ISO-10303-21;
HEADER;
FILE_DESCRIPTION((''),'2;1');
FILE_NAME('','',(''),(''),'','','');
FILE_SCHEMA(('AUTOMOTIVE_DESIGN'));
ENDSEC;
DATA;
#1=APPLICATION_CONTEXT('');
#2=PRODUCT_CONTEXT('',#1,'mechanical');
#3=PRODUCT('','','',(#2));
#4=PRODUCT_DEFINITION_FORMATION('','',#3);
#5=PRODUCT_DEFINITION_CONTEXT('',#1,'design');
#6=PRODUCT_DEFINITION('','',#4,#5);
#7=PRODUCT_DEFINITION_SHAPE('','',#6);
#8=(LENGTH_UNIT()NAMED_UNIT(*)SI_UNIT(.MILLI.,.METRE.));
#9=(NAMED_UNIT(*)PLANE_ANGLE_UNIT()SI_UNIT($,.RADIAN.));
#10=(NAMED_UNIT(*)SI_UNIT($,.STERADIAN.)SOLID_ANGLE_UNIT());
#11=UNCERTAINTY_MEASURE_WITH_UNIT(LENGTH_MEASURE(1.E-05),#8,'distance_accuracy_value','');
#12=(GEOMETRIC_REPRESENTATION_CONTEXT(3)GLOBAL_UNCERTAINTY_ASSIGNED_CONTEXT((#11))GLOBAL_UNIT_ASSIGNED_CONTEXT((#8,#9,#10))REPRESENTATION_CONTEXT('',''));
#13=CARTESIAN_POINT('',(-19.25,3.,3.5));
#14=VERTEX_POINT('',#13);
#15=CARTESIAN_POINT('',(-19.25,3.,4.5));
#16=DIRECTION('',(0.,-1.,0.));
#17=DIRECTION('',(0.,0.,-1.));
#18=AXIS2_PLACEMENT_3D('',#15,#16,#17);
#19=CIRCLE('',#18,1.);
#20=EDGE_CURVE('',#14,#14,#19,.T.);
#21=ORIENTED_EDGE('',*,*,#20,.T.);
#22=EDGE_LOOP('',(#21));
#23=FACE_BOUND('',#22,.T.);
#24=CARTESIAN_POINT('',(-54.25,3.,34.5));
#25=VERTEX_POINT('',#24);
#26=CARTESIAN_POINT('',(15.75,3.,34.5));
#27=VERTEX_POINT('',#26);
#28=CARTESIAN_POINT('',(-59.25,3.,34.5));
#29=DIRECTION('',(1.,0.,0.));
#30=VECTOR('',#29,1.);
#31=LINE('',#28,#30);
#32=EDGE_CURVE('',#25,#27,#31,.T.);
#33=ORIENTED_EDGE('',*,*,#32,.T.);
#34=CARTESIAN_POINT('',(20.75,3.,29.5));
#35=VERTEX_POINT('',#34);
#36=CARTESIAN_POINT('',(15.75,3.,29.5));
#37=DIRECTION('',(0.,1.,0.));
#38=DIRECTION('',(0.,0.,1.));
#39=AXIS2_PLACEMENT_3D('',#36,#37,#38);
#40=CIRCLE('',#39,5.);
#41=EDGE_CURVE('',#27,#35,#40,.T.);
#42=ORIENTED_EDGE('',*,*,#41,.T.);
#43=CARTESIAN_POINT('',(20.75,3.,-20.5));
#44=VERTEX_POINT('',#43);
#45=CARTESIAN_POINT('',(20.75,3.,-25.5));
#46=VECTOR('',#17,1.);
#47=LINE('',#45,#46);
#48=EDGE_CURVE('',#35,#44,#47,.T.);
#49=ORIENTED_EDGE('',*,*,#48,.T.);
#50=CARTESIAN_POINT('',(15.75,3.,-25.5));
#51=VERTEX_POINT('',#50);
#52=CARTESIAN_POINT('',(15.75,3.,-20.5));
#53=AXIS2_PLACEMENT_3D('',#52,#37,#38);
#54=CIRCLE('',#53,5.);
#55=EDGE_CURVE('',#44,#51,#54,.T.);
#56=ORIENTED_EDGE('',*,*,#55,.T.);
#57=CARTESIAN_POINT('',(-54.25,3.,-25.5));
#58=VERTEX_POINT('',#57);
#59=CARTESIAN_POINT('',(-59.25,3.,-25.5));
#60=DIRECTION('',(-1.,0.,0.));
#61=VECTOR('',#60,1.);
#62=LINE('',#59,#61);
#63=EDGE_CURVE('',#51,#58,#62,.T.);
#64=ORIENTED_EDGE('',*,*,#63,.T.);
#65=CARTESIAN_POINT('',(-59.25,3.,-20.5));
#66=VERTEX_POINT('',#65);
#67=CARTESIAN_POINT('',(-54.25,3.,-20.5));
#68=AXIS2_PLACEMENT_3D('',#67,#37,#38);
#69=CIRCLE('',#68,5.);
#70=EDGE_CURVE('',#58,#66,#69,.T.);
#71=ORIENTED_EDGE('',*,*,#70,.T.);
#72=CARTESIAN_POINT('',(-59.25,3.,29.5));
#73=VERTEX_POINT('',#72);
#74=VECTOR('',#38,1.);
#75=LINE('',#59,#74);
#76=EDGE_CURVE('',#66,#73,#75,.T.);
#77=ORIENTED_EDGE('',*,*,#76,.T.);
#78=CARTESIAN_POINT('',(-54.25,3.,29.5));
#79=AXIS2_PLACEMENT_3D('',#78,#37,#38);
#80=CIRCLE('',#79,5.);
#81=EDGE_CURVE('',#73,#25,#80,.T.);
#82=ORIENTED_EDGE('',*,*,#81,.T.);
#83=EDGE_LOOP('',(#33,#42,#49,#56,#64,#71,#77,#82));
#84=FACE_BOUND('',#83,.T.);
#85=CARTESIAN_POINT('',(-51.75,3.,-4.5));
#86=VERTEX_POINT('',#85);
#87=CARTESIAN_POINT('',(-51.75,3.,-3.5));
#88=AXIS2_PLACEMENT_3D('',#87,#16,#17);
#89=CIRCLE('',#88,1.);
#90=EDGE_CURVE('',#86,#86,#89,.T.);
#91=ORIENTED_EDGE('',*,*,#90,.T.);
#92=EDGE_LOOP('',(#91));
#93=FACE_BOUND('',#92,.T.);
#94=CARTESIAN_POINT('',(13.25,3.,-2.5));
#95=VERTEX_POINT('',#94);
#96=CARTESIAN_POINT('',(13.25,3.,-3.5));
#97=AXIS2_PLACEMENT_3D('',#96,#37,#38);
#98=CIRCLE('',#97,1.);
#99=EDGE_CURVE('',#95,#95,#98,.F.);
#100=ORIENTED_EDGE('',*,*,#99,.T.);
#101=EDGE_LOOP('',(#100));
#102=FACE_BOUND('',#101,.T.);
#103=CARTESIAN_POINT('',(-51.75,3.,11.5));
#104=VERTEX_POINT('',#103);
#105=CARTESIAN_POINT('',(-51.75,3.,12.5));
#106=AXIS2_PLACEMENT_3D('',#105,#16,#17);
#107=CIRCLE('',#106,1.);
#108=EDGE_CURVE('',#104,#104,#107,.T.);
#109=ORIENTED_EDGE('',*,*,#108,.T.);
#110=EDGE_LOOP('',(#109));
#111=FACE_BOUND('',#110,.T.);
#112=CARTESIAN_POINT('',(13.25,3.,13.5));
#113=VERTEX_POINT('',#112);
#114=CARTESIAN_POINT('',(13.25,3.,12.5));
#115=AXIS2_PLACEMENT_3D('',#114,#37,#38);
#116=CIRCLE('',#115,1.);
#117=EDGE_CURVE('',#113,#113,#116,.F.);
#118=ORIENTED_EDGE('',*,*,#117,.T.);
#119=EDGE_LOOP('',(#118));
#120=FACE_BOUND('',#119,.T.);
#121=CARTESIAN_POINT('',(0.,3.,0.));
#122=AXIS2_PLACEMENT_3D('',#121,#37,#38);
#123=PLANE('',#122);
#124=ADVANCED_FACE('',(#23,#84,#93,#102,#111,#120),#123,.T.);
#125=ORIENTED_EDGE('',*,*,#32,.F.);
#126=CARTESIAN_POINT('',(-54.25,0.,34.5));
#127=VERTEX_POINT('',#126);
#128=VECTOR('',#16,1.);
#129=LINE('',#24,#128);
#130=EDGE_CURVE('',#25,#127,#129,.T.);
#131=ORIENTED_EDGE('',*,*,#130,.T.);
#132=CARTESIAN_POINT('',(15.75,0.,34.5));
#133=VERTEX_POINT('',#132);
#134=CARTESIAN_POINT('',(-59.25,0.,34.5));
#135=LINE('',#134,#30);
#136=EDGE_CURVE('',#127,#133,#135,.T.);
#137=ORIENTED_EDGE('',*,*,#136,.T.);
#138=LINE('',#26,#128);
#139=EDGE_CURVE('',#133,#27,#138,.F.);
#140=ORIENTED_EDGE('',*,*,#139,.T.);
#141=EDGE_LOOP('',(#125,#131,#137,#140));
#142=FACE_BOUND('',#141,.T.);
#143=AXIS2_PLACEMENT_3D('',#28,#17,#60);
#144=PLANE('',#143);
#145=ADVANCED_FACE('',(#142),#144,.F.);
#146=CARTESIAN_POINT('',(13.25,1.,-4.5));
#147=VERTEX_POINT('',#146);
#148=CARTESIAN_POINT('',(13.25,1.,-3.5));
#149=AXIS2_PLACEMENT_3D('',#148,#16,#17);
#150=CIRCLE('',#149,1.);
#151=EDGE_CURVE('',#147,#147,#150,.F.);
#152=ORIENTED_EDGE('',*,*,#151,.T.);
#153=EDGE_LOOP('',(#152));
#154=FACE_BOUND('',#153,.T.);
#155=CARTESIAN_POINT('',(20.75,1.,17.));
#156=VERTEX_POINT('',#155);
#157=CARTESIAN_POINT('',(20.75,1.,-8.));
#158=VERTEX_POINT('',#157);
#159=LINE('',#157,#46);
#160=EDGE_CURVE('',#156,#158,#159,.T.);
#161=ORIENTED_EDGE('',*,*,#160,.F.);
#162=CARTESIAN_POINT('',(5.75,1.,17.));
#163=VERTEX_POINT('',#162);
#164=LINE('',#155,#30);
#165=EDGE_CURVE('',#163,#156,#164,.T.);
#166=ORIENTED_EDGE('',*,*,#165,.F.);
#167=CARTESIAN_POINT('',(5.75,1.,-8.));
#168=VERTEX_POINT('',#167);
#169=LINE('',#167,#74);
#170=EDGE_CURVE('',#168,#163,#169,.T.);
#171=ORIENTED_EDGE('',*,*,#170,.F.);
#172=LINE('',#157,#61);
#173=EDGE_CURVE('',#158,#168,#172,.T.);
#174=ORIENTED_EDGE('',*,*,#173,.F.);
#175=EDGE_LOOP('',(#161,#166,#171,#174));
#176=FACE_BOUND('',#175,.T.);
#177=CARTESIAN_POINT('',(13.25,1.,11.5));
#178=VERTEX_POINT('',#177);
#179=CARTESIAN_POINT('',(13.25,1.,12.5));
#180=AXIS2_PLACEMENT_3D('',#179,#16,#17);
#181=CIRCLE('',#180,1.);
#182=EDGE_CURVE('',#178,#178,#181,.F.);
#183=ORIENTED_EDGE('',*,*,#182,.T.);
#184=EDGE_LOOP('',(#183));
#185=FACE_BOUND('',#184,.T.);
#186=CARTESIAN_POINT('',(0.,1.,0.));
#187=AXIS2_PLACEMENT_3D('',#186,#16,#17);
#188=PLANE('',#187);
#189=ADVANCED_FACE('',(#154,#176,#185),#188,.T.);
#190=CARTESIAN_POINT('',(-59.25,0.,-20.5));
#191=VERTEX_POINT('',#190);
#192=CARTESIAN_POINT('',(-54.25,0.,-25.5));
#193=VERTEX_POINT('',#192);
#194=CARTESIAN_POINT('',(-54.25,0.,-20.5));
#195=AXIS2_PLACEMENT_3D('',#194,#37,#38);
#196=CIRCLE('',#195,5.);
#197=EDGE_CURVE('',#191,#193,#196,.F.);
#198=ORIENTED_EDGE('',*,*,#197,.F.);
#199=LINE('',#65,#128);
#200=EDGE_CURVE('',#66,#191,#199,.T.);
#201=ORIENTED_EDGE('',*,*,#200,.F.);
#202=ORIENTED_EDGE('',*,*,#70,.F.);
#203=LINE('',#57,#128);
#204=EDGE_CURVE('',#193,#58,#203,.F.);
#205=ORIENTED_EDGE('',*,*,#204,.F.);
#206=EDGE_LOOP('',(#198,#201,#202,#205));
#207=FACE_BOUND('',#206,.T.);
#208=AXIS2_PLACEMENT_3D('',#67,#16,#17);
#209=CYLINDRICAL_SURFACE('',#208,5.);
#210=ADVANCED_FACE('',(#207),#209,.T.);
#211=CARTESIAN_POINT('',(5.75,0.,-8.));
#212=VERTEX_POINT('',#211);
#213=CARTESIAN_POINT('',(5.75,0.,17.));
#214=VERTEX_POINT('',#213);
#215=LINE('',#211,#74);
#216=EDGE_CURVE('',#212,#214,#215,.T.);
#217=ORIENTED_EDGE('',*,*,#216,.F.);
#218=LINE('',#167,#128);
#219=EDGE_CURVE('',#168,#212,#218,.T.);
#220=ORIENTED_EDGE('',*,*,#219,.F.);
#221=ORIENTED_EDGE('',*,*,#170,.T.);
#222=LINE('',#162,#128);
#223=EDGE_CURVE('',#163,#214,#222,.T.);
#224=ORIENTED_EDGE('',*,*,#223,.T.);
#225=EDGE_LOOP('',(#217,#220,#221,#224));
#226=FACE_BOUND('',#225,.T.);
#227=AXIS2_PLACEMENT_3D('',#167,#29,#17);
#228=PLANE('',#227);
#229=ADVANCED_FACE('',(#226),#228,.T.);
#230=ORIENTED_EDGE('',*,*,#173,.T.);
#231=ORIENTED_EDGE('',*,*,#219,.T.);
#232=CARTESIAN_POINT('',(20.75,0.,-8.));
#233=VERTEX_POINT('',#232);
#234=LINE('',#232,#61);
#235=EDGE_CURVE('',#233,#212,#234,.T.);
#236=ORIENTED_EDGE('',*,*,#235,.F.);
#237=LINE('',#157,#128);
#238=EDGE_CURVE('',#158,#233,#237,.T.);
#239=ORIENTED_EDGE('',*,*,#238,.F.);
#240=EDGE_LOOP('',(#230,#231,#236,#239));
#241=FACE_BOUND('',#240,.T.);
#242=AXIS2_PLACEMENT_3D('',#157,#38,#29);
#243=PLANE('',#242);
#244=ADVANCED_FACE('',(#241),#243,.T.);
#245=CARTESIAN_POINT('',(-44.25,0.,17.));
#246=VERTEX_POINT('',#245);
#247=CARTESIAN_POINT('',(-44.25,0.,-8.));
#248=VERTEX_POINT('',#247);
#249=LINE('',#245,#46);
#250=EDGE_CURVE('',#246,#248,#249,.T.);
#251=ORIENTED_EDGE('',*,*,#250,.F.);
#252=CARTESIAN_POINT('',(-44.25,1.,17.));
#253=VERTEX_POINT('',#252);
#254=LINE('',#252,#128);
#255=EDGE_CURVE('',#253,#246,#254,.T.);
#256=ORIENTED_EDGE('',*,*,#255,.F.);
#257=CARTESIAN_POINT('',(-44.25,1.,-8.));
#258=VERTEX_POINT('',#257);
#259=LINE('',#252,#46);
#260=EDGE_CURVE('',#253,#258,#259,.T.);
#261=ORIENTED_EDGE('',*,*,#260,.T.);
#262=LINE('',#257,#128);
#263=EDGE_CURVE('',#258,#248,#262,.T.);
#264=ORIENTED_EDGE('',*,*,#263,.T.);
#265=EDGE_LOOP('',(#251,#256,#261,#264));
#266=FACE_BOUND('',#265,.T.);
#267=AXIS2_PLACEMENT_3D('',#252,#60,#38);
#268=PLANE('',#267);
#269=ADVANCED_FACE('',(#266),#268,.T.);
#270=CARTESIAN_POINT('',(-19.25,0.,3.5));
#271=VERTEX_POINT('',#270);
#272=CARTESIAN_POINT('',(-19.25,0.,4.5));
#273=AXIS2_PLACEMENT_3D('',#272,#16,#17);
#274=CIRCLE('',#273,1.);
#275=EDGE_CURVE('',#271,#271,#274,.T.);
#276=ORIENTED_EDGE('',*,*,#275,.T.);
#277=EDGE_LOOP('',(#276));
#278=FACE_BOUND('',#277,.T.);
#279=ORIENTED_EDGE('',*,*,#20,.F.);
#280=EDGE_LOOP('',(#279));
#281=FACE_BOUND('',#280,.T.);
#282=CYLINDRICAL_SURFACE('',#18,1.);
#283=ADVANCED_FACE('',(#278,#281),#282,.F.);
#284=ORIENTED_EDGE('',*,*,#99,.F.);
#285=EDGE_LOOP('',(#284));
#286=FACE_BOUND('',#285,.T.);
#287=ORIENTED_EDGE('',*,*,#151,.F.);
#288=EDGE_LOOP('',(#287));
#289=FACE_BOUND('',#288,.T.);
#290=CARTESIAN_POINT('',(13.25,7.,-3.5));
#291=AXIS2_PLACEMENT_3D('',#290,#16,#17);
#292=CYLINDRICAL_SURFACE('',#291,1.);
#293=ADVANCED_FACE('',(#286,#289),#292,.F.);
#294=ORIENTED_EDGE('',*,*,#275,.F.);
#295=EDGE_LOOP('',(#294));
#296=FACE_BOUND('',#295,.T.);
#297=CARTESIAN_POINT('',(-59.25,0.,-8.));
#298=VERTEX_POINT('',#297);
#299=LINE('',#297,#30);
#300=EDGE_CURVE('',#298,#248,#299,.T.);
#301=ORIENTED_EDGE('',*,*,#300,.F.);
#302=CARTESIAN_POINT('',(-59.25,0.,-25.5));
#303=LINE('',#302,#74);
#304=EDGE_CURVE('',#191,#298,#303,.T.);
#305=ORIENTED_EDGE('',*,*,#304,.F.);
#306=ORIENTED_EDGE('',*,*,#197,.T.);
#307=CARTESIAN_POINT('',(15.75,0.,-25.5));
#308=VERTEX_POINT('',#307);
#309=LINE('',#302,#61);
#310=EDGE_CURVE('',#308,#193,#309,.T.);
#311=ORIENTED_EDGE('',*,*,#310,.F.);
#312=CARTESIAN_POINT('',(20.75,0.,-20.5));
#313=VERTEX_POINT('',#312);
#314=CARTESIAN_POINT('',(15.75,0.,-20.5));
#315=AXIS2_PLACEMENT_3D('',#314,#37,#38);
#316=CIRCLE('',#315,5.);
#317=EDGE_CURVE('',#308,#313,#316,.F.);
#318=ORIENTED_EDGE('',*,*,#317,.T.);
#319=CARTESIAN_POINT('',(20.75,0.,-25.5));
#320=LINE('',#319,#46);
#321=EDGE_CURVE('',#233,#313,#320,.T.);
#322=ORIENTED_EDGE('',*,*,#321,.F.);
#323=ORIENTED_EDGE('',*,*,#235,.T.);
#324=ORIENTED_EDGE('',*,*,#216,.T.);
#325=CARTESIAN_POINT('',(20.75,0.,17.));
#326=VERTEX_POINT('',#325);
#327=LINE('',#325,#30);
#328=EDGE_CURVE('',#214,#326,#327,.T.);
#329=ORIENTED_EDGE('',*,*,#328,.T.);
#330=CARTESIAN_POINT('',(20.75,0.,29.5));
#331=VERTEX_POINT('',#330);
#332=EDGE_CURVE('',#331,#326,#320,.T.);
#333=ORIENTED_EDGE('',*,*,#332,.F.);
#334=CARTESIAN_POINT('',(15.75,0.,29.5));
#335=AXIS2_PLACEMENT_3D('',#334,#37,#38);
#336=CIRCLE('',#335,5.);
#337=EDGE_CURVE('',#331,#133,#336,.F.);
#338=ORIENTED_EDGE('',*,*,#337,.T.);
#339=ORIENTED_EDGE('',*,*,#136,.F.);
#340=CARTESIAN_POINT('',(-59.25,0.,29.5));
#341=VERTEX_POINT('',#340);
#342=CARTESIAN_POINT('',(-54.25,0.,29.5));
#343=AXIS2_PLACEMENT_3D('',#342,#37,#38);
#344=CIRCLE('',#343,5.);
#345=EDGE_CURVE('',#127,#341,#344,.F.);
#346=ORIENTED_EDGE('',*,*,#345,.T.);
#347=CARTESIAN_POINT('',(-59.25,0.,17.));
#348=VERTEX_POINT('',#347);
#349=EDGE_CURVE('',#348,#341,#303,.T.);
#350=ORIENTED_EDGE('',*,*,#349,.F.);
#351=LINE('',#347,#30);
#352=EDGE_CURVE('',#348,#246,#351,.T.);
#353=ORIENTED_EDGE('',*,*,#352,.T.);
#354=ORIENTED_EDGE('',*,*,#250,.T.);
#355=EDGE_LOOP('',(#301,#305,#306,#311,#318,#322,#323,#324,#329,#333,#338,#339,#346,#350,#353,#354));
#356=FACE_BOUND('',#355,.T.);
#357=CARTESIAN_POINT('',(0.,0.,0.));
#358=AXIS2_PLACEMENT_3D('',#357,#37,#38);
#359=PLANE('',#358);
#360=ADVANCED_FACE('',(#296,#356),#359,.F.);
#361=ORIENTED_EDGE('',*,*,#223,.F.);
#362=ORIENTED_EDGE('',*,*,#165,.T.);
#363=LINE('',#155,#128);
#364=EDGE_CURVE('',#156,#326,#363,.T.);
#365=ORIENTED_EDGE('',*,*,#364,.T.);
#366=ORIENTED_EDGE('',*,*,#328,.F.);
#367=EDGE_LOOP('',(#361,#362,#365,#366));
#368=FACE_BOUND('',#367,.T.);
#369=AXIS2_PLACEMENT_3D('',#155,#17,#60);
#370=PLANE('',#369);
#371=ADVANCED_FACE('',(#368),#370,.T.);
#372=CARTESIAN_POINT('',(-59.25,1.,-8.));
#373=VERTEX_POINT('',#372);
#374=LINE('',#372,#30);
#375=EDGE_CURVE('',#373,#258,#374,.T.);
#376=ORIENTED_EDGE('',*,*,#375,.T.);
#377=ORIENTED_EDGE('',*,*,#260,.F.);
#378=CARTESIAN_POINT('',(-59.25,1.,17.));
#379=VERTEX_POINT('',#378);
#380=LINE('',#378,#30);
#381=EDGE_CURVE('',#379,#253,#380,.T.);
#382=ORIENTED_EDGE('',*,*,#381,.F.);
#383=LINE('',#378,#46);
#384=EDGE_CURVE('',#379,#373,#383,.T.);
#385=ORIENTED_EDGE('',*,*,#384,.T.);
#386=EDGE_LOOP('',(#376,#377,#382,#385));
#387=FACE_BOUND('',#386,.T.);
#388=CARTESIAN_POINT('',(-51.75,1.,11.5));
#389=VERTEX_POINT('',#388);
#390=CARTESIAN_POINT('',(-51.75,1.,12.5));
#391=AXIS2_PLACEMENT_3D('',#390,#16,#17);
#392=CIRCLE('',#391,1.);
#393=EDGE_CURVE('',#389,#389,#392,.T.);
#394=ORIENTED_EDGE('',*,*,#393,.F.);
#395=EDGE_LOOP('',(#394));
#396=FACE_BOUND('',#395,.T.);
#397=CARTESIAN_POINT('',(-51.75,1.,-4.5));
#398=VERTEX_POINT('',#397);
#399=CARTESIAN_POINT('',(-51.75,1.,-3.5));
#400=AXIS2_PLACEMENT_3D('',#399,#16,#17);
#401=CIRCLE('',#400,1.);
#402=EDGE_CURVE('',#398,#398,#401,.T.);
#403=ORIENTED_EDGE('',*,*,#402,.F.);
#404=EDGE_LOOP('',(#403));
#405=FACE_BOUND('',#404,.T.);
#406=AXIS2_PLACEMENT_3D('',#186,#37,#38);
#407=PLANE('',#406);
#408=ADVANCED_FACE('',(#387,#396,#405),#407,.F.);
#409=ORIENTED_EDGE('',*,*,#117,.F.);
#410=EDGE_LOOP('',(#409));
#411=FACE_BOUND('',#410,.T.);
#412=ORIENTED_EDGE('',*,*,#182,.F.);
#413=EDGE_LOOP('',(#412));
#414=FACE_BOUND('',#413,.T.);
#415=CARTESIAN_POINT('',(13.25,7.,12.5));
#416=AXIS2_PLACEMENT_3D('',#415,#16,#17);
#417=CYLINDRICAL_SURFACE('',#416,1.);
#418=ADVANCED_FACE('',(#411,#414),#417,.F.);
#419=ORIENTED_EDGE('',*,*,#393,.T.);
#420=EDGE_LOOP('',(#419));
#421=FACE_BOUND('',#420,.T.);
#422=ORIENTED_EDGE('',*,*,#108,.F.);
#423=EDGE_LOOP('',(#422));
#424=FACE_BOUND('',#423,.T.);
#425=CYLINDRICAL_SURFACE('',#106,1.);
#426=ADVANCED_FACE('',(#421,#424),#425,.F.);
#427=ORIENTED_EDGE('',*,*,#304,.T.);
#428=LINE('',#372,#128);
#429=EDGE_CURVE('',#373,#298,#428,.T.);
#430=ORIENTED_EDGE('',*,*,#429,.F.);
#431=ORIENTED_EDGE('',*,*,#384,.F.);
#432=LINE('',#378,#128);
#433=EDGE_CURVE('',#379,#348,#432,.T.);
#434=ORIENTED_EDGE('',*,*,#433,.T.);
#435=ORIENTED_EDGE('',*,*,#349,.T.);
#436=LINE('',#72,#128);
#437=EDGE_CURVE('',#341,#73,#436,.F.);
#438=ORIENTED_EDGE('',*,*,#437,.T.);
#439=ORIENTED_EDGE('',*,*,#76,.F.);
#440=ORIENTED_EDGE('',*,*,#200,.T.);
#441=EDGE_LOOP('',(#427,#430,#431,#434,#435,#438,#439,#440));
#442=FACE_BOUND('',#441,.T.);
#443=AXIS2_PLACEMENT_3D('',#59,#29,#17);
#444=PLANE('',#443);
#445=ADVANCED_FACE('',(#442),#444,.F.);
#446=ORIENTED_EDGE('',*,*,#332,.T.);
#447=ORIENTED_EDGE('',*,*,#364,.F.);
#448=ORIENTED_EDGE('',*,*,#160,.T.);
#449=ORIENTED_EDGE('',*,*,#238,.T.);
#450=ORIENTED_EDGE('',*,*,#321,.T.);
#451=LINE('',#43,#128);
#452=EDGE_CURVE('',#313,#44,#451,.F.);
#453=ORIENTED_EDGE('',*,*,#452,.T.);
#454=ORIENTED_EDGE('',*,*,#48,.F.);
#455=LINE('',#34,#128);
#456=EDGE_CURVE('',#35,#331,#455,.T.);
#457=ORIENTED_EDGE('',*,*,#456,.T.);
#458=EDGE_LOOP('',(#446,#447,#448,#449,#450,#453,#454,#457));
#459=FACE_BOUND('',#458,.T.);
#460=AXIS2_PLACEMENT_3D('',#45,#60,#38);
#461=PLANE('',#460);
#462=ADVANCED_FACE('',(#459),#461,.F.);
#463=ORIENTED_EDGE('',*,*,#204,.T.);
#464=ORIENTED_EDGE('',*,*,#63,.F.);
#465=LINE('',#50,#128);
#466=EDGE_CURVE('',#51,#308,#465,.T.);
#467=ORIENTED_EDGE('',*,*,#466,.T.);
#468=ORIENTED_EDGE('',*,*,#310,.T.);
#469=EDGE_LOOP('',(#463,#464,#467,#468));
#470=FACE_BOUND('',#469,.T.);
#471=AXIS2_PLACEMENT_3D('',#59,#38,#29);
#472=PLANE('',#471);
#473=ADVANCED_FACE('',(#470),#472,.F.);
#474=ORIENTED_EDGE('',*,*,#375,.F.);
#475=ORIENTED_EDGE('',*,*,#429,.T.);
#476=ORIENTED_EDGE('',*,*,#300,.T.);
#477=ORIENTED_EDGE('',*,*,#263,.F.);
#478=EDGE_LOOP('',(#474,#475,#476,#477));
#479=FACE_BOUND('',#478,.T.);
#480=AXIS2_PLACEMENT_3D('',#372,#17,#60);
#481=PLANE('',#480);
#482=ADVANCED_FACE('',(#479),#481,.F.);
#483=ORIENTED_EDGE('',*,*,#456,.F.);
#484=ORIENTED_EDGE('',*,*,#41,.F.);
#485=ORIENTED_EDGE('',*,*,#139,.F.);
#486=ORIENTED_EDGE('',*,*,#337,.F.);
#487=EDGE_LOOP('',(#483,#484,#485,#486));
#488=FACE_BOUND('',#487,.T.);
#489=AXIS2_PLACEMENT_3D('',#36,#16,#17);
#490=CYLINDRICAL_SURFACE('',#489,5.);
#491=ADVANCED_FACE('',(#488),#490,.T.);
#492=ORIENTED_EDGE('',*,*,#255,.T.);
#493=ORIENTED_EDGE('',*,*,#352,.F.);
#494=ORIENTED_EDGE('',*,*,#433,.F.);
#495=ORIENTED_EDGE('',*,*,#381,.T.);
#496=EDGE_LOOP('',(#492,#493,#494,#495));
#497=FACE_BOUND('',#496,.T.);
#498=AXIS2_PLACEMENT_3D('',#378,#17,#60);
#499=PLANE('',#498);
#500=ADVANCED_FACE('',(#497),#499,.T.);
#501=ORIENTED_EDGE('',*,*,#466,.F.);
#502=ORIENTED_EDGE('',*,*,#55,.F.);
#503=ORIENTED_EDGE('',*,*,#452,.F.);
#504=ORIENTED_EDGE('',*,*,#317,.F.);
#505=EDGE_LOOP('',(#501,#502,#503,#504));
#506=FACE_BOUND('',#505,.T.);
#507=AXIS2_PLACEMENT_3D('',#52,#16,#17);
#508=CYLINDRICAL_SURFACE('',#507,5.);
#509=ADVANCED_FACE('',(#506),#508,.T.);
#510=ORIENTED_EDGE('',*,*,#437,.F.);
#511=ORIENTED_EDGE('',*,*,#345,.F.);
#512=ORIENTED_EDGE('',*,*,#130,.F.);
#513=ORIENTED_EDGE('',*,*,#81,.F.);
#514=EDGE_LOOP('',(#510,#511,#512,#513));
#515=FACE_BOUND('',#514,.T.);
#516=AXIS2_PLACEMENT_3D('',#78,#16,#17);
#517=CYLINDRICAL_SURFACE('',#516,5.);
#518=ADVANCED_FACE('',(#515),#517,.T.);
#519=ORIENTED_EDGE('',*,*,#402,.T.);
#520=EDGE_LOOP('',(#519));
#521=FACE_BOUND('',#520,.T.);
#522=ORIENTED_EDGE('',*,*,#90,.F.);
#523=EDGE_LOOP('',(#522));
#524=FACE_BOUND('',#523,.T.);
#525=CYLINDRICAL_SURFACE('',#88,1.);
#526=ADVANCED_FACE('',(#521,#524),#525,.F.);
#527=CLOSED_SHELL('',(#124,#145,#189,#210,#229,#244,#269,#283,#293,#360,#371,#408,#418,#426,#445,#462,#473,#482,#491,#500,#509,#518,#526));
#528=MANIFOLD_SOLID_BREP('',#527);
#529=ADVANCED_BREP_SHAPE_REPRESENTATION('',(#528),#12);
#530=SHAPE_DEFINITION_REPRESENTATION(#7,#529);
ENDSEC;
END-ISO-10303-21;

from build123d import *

# Parameters (mm, degrees)
SKETCH2_W           = 80
SKETCH2_H           = 60
BOSS_EXTRUDE1_DEPTH = 3
SKETCH3_W           = 15
SKETCH3_H           = 25
CUT_EXTRUDE1_DEPTH  = 1
SKETCH4_R           = 1
CUT_EXTRUDE3_DEPTH  = 2
FILLET1_R           = 5
SKETCH5_R           = 1
CUT_EXTRUDE4_DEPTH  = 3
SKETCH6_W           = 15
SKETCH6_H           = 25
CUT_EXTRUDE6_DEPTH  = 1
SKETCH7_R           = 1
CUT_EXTRUDE7_DEPTH  = 7


with BuildPart() as part:
    # Sketch2 → Boss-Extrude1 (new body)
    with BuildSketch(Plane(origin=(0, 0, 0), x_dir=(1, 0, 0), z_dir=(0, 1, 0))):
        with Locations((-19.25, -4.5)):
            Rectangle(SKETCH2_W, SKETCH2_H)
    extrude(amount=BOSS_EXTRUDE1_DEPTH)

    # Sketch3 → Cut-Extrude1 (cut)
    with BuildSketch(Plane.XZ):
        with Locations((-51.75, 4.5)):
            Rectangle(SKETCH3_W, SKETCH3_H)
    extrude(amount=-CUT_EXTRUDE1_DEPTH, mode=Mode.SUBTRACT)

    # Sketch4 → Cut-Extrude3 (cut)
    with BuildSketch(Plane.XZ.offset(-1)):
        with Locations(Location((-51.75, 12.5, 0), (0, 0, 270))):
            Circle(SKETCH4_R)
        with Locations(Location((-51.75, -3.5, 0), (0, 0, 270))):
            Circle(SKETCH4_R)
    extrude(amount=-CUT_EXTRUDE3_DEPTH, mode=Mode.SUBTRACT)

    # Fillet1
    fillet1_edges = [part.edges().sort_by_distance(p)[0] for p in [
        (-59.25, 1.5, -25.5),
        (20.75, 1.5, -25.5),
        (20.75, 1.5, 34.5),
        (-59.25, 1.5, 34.5),
    ]]
    fillet(fillet1_edges, radius=FILLET1_R)

    # Sketch5 → Cut-Extrude4 (cut)
    with BuildSketch(Plane.XZ):
        with Locations(Location((-19.25, 4.5, 0), (0, 0, 270))):
            Circle(SKETCH5_R)
    extrude(amount=-CUT_EXTRUDE4_DEPTH, mode=Mode.SUBTRACT)

    # Sketch6 → Cut-Extrude6 (cut)
    with BuildSketch(Plane(origin=(0, 0, 0), x_dir=(1, 0, 0), z_dir=(0, 1, 0))):
        with Locations((13.25, -4.5)):
            Rectangle(SKETCH6_W, SKETCH6_H)
    extrude(amount=CUT_EXTRUDE6_DEPTH, mode=Mode.SUBTRACT)

    # Sketch7 → Cut-Extrude7 (cut)
    with BuildSketch(Plane(origin=(0, 0, 0), x_dir=(1, 0, 0), z_dir=(0, 1, 0))):
        with Locations(Location((13.25, 3.5, 0), (0, 0, 90))):
            Circle(SKETCH7_R)
        with Locations(Location((13.25, -12.5, 0), (0, 0, 90))):
            Circle(SKETCH7_R)
    extrude(amount=CUT_EXTRUDE7_DEPTH, mode=Mode.SUBTRACT)


solid = part.part
